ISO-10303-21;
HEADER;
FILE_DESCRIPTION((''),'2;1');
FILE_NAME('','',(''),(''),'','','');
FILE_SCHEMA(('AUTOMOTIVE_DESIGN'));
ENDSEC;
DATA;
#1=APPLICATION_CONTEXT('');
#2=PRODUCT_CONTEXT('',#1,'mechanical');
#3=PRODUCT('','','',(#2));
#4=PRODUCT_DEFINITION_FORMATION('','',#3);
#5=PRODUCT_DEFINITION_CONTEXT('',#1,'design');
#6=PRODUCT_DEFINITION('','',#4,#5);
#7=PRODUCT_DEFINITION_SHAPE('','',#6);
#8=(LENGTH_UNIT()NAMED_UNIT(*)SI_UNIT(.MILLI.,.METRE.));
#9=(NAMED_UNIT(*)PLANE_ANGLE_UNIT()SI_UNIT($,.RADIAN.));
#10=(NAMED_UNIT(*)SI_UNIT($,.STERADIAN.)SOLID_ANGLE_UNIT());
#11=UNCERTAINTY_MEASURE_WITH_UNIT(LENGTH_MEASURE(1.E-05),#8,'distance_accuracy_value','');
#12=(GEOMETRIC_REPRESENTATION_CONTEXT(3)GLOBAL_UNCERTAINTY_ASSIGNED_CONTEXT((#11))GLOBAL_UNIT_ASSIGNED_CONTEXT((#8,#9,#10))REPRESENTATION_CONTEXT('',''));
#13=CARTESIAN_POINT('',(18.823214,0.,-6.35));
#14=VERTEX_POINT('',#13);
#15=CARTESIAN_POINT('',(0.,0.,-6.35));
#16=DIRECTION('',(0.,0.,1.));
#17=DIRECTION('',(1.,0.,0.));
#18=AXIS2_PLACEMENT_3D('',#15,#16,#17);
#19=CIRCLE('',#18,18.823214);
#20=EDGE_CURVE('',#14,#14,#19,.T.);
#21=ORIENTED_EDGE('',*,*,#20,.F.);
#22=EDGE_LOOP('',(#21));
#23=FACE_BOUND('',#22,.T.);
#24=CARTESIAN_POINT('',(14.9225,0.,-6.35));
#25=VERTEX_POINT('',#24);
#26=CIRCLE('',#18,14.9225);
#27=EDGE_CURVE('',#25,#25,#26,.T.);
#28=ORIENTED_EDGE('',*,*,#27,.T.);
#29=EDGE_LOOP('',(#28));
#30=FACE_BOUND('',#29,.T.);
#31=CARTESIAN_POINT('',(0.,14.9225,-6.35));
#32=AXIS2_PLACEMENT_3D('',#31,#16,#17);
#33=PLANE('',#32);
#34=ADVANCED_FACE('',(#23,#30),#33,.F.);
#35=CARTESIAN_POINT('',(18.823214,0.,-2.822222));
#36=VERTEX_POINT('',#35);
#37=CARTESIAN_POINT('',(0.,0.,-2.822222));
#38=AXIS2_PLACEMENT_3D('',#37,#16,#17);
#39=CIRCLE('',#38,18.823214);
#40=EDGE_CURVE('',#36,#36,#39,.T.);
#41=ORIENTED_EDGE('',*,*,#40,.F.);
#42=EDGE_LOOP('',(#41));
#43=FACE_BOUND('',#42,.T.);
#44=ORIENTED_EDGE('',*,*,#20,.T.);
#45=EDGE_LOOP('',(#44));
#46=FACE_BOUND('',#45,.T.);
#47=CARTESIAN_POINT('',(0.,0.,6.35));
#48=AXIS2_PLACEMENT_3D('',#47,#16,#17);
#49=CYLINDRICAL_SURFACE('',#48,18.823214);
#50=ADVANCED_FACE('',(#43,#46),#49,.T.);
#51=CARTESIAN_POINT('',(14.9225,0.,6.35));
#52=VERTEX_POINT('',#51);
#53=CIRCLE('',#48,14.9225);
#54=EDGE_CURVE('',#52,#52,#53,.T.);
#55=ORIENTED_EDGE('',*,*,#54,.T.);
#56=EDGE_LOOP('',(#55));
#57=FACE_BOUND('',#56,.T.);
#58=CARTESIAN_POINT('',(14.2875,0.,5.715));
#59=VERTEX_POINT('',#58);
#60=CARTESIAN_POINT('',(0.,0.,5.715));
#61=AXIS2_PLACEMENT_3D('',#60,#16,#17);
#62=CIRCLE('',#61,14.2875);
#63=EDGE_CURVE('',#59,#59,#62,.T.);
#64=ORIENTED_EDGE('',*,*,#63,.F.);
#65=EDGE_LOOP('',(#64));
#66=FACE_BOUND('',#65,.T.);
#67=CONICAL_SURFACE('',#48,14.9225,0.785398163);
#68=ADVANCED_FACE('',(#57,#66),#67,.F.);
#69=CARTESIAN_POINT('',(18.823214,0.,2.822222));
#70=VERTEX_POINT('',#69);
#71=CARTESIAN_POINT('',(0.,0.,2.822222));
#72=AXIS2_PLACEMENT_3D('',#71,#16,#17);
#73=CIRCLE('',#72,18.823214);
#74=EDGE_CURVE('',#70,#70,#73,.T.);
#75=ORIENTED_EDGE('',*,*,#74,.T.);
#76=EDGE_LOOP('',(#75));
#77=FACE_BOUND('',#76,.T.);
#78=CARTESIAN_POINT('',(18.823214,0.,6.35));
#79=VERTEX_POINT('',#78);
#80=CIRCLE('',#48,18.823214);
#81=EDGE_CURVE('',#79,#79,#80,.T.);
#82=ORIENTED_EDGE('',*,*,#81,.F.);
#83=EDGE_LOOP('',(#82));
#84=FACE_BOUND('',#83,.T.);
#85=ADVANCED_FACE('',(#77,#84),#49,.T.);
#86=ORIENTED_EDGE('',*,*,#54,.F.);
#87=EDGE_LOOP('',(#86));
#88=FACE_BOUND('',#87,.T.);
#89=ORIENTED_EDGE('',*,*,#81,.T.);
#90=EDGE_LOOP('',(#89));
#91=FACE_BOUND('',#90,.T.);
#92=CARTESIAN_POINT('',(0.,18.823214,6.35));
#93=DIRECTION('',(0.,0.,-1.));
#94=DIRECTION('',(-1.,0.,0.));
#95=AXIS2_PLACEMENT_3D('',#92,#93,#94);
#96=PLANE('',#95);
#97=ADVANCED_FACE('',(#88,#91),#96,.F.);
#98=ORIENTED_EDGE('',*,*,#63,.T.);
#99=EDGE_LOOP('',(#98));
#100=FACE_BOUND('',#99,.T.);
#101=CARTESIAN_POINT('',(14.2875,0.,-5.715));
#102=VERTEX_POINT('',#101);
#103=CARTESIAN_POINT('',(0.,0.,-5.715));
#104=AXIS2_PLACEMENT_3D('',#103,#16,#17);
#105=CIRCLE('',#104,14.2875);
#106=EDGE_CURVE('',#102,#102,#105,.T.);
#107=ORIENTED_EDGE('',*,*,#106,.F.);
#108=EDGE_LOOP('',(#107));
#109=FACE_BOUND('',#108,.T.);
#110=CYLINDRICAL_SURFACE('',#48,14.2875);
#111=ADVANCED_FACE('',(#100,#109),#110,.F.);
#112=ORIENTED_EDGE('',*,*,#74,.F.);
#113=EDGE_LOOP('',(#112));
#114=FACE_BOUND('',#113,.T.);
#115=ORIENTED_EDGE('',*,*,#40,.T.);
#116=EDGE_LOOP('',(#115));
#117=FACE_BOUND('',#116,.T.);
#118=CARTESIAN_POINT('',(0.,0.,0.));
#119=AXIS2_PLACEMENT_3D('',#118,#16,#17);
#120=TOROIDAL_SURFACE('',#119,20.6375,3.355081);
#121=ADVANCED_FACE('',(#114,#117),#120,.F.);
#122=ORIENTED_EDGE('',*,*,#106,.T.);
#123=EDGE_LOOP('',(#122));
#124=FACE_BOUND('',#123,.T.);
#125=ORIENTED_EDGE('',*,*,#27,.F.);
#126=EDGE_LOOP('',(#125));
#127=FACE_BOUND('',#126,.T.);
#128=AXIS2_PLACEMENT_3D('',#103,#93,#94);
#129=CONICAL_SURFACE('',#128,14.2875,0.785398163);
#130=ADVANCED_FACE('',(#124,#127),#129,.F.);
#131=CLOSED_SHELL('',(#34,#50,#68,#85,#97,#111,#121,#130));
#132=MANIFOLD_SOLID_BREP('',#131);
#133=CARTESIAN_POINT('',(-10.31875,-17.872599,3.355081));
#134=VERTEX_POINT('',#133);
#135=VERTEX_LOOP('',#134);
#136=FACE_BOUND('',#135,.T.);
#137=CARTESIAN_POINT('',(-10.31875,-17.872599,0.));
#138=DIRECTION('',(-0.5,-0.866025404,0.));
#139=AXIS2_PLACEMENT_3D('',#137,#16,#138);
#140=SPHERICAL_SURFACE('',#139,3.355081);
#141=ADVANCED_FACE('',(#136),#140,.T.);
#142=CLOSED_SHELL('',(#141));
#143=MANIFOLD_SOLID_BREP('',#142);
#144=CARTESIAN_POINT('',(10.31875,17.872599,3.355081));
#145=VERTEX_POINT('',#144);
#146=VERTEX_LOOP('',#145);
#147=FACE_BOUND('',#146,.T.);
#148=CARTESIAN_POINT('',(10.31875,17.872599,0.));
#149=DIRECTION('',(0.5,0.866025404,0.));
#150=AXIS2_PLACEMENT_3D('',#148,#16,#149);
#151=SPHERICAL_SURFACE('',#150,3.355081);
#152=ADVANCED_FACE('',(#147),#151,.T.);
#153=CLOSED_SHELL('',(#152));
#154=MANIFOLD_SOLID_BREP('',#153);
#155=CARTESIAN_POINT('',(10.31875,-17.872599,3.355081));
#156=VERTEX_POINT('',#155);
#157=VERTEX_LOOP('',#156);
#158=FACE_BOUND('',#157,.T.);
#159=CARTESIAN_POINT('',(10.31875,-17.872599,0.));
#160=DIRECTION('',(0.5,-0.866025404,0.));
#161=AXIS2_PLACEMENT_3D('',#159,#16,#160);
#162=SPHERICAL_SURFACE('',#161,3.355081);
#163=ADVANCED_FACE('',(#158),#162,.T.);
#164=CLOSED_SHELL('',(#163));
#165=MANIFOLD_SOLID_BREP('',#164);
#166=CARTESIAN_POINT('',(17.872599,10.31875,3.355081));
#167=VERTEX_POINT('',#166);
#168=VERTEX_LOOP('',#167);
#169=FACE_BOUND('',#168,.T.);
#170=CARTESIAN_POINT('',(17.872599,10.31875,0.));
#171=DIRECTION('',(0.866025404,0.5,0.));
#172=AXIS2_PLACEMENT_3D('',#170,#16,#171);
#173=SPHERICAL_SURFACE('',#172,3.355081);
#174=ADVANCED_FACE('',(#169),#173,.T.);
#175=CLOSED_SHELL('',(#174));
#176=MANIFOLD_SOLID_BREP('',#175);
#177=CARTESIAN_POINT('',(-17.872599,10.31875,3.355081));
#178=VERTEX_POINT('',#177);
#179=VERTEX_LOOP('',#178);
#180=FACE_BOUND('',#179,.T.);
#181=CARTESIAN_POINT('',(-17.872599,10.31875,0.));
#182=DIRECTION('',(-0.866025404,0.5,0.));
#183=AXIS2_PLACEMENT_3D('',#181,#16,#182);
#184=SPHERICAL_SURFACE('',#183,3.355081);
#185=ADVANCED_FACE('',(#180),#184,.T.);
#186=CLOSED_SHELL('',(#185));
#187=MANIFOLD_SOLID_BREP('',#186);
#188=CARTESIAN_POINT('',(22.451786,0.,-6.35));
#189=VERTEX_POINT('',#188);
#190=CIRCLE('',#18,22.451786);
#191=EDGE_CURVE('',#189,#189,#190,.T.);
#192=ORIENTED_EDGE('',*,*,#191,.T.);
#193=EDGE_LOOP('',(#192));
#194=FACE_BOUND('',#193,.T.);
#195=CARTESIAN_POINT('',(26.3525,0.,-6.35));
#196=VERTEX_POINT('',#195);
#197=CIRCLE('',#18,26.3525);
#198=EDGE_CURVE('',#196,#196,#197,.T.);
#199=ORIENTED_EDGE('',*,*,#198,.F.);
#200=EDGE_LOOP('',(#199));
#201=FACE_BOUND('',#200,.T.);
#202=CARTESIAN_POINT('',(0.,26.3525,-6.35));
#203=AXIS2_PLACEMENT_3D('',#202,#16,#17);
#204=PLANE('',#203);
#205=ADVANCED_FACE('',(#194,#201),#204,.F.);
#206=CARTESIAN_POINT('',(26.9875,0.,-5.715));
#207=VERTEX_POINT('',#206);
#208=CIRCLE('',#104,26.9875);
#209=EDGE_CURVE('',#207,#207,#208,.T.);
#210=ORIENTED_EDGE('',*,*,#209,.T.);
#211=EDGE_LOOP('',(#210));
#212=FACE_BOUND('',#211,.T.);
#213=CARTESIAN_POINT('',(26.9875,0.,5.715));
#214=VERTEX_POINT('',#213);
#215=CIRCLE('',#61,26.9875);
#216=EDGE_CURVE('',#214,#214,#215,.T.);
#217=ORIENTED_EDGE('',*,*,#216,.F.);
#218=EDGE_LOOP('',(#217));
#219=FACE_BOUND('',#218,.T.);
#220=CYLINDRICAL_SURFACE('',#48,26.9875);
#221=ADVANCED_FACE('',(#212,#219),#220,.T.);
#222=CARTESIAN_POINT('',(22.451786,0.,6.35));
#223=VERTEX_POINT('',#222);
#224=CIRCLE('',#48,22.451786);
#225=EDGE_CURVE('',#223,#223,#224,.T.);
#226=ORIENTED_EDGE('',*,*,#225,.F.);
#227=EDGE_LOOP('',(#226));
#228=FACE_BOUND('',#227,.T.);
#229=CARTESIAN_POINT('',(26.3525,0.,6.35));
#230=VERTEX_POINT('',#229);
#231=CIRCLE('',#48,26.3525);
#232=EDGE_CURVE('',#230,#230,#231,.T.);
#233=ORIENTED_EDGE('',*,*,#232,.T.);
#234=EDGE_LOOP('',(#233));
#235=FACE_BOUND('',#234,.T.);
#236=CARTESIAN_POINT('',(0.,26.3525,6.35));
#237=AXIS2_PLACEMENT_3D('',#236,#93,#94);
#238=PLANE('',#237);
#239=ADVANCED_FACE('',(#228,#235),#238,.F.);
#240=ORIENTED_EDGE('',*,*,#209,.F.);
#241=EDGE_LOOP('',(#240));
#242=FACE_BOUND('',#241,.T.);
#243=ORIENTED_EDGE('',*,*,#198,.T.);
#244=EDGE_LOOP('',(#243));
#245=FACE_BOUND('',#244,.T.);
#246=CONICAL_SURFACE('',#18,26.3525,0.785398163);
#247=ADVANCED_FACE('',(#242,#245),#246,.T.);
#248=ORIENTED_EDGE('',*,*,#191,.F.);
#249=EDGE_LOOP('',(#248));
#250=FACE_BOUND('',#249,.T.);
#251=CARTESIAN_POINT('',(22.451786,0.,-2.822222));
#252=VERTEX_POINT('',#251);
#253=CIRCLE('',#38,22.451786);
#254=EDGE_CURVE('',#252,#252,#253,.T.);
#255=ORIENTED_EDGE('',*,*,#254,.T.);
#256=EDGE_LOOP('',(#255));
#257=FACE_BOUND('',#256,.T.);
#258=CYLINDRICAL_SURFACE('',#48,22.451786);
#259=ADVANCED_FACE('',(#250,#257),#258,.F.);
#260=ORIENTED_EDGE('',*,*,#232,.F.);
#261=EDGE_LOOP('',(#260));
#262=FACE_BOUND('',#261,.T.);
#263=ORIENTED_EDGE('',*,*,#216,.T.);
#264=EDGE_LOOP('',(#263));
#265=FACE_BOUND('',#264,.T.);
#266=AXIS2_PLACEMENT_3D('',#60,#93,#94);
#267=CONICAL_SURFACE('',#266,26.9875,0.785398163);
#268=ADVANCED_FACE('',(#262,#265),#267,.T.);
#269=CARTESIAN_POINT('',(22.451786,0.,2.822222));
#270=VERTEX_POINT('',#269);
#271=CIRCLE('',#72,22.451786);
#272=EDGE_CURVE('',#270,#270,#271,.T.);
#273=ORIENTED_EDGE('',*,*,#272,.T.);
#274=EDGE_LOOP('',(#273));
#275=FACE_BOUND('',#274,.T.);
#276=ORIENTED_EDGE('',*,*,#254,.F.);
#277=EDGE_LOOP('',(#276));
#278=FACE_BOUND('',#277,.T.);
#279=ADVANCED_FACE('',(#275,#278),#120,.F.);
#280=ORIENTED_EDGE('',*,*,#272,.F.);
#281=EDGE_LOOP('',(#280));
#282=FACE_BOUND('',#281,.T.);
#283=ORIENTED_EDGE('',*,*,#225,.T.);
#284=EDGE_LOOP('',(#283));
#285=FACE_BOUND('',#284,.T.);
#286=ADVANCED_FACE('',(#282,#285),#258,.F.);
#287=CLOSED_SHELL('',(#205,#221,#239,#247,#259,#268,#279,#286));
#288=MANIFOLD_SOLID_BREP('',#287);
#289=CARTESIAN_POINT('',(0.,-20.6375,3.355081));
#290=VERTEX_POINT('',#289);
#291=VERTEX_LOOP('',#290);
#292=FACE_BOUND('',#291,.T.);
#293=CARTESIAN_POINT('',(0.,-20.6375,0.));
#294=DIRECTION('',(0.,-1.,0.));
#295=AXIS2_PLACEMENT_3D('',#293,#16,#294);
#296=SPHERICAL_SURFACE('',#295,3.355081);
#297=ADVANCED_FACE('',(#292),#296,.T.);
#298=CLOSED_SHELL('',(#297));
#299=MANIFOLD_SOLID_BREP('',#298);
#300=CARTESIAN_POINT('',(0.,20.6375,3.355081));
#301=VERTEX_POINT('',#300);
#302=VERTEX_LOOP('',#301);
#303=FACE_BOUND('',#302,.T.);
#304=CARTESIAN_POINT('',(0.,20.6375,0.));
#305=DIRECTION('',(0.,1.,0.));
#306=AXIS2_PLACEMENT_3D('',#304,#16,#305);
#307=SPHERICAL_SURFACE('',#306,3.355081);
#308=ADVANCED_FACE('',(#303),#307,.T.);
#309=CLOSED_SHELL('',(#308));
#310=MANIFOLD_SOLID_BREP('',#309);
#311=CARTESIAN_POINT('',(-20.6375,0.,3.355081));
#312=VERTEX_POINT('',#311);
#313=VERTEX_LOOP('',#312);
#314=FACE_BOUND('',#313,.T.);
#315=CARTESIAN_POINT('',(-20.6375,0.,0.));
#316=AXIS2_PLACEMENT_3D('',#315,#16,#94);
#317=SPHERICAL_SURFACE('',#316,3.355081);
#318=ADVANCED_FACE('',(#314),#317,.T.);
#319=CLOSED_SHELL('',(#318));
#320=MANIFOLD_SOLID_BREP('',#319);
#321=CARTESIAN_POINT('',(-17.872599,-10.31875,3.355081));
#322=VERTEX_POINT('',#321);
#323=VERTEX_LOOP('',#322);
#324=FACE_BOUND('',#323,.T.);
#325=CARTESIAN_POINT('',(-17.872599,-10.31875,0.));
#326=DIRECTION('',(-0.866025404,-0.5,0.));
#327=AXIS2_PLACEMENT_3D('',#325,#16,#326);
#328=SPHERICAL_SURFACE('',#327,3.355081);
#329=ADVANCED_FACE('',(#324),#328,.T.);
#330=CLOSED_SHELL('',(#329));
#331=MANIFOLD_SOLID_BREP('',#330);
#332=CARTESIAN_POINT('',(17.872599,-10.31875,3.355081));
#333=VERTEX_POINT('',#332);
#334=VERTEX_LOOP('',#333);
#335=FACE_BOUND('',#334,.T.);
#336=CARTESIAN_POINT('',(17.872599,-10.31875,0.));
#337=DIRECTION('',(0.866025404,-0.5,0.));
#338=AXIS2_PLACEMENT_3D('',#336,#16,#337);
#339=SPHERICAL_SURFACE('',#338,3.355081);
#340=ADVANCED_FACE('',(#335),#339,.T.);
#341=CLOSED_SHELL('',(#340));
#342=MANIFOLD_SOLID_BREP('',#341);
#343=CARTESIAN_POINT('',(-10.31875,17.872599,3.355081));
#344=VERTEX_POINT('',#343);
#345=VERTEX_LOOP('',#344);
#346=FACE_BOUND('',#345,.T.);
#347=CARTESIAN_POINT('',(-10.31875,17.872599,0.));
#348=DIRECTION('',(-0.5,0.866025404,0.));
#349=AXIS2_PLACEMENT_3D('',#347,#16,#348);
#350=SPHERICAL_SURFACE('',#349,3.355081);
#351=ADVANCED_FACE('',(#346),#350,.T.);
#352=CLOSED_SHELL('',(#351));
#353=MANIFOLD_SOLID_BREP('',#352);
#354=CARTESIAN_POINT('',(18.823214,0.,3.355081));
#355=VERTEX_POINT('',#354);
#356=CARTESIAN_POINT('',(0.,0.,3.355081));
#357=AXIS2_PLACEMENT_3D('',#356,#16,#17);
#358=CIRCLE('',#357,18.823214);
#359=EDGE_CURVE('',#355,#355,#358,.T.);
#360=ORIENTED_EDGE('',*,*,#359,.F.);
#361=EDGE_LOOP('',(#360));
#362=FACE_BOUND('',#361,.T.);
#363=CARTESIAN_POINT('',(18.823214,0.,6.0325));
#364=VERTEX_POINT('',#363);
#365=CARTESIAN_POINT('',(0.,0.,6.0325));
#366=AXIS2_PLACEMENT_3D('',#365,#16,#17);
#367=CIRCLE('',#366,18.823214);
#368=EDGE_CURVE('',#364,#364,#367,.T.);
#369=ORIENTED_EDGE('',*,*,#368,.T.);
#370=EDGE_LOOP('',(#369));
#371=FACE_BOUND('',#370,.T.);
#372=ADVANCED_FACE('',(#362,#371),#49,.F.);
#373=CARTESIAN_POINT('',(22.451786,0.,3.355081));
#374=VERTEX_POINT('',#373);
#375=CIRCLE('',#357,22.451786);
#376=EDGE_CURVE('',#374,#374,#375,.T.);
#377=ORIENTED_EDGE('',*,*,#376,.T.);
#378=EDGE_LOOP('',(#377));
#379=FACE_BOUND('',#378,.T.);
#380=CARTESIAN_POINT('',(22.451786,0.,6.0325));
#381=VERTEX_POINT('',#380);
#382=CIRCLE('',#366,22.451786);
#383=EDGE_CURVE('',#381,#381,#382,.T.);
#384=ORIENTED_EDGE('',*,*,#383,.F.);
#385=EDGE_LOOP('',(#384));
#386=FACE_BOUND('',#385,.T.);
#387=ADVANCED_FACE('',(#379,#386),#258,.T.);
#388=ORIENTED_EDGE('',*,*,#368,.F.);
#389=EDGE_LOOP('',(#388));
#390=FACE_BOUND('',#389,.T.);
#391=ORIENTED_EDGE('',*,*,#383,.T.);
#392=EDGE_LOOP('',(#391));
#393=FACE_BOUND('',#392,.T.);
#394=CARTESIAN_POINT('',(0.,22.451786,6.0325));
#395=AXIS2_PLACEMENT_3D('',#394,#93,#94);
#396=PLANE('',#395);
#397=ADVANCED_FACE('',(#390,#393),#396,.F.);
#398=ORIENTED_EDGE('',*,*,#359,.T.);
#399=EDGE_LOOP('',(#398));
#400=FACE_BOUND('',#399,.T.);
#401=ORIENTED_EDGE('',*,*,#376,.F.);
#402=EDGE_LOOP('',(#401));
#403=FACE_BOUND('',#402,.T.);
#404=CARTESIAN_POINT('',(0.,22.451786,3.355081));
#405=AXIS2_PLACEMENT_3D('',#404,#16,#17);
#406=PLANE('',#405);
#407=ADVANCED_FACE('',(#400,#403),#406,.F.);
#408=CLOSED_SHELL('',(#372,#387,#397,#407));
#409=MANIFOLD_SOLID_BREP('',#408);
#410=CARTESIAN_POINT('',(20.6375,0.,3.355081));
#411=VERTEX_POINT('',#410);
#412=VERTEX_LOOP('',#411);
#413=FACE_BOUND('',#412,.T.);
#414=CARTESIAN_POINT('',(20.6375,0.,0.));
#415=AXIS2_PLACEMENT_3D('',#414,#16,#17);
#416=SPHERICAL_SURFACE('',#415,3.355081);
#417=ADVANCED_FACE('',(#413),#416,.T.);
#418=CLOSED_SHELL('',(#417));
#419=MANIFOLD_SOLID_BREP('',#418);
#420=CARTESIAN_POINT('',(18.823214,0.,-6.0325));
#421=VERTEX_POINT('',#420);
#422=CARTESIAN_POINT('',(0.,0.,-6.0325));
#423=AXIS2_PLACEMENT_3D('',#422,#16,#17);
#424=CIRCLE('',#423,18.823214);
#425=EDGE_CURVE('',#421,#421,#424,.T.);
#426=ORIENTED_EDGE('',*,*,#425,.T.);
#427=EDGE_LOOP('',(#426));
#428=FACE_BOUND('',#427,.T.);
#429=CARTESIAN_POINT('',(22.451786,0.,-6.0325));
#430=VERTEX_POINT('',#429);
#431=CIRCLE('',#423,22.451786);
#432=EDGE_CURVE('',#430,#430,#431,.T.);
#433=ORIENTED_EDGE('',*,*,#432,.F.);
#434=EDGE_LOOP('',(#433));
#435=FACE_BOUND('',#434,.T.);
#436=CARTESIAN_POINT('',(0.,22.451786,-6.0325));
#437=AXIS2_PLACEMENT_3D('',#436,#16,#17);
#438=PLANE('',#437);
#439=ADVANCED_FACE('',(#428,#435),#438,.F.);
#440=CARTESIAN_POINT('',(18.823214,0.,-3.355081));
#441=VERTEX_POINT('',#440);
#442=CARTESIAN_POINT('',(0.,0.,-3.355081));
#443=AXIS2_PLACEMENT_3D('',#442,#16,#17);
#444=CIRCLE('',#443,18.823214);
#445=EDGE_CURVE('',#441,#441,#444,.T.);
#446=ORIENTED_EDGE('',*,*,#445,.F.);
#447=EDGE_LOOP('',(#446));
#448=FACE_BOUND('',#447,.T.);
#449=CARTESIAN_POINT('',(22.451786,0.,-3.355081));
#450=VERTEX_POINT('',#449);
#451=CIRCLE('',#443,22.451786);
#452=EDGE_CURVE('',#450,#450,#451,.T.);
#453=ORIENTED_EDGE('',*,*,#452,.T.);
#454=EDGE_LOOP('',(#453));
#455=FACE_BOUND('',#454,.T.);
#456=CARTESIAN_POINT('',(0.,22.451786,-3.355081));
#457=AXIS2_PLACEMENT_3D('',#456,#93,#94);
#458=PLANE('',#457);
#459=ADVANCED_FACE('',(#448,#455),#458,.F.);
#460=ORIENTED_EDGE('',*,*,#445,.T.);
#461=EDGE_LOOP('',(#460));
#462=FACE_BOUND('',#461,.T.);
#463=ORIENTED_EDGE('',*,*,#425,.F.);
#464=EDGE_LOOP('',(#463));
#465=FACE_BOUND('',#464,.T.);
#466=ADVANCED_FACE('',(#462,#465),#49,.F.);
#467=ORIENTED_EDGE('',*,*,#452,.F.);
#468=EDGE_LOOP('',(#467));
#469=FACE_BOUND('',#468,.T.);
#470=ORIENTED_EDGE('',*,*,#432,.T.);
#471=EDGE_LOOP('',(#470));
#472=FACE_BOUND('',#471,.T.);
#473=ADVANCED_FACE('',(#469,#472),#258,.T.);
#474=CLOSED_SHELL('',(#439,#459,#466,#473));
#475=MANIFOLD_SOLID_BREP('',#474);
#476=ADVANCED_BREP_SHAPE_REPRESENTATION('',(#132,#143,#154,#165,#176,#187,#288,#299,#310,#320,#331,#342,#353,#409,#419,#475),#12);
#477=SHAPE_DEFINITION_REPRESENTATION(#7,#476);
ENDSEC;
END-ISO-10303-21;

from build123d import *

# Parameters (mm, degrees)
CIRPATTERN1_COUNT = 12
SKETCH5_W         = 2.677418641
SKETCH5_H         = 3.628571428


with BuildPart() as part:
    # Sketch1 → Revolve1 (revolve)
    with BuildSketch(Plane(origin=(0, 0, 0), x_dir=(0, 0, -1), z_dir=(1, 0, 0))):
        with BuildLine():
            Line((5.715, 26.9875), (-5.715, 26.9875))
            Line((-5.715, 26.9875), (-6.35, 26.3525))
            Line((-6.35, 26.3525), (-6.35, 22.451785714))
            Line((-6.35, 22.451785714), (-2.822222222, 22.451785714))
            ThreePointArc((-2.822222222, 22.451785714), (0, 23.992581359), (2.822222222, 22.451785714))
            Line((2.822222222, 22.451785714), (6.35, 22.451785714))
            Line((6.35, 22.451785714), (6.35, 26.3525))
            Line((6.35, 26.3525), (5.715, 26.9875))
        make_face()
    revolve(axis=Axis((0, 0, 6.35), (0, 0, -1)))


with BuildPart() as body_2:
    # Sketch3 → Revolve3 (revolve)
    with BuildSketch(Plane(origin=(0, 0, 0), x_dir=(0, 0, -1), z_dir=(1, 0, 0))):
        with BuildLine():
            Line((-6.35, 18.823214286), (-2.822222222, 18.823214286))
            ThreePointArc((-2.822222222, 18.823214286), (0, 17.282418641), (2.822222222, 18.823214286))
            Line((2.822222222, 18.823214286), (6.35, 18.823214286))
            Line((6.35, 18.823214286), (6.35, 14.9225))
            Line((6.35, 14.9225), (5.715, 14.2875))
            Line((5.715, 14.2875), (-5.715, 14.2875))
            Line((-5.715, 14.2875), (-6.35, 14.9225))
            Line((-6.35, 14.9225), (-6.35, 18.823214286))
        make_face()
    revolve(axis=Axis((0, 0, 6.35), (0, 0, -1)))


with BuildPart() as body_3:
    # Sketch4 → Revolve4 (revolve)
    with BuildSketch(Plane(origin=(0, 0, 0), x_dir=(0, 0, -1), z_dir=(1, 0, 0))):
        with BuildLine():
            Line((-3.355081359, 20.6375), (3.355081359, 20.6375))
            ThreePointArc((3.355081359, 20.6375), (0, 23.992581359), (-3.355081359, 20.6375))
        make_face()
    revolve(axis=Axis((0, 20.6375, 3.355081359), (0, 0, -1)))


with BuildPart() as cirpattern1_1:
    # CirPattern1: pattern copy
    add(body_3.part.rotate(Axis((0, 0, -6.35), (0, 0, 1)), 1 * 360 / CIRPATTERN1_COUNT))


with BuildPart() as cirpattern1_2:
    # CirPattern1: pattern copy
    add(body_3.part.rotate(Axis((0, 0, -6.35), (0, 0, 1)), 2 * 360 / CIRPATTERN1_COUNT))


with BuildPart() as cirpattern1_3:
    # CirPattern1: pattern copy
    add(body_3.part.rotate(Axis((0, 0, -6.35), (0, 0, 1)), 3 * 360 / CIRPATTERN1_COUNT))


with BuildPart() as cirpattern1_4:
    # CirPattern1: pattern copy
    add(body_3.part.rotate(Axis((0, 0, -6.35), (0, 0, 1)), 4 * 360 / CIRPATTERN1_COUNT))


with BuildPart() as cirpattern1_5:
    # CirPattern1: pattern copy
    add(body_3.part.rotate(Axis((0, 0, -6.35), (0, 0, 1)), 5 * 360 / CIRPATTERN1_COUNT))


with BuildPart() as cirpattern1_6:
    # CirPattern1: pattern copy
    add(body_3.part.rotate(Axis((0, 0, -6.35), (0, 0, 1)), 6 * 360 / CIRPATTERN1_COUNT))


with BuildPart() as cirpattern1_7:
    # CirPattern1: pattern copy
    add(body_3.part.rotate(Axis((0, 0, -6.35), (0, 0, 1)), 7 * 360 / CIRPATTERN1_COUNT))


with BuildPart() as cirpattern1_8:
    # CirPattern1: pattern copy
    add(body_3.part.rotate(Axis((0, 0, -6.35), (0, 0, 1)), 8 * 360 / CIRPATTERN1_COUNT))


with BuildPart() as cirpattern1_9:
    # CirPattern1: pattern copy
    add(body_3.part.rotate(Axis((0, 0, -6.35), (0, 0, 1)), 9 * 360 / CIRPATTERN1_COUNT))


with BuildPart() as cirpattern1_10:
    # CirPattern1: pattern copy
    add(body_3.part.rotate(Axis((0, 0, -6.35), (0, 0, 1)), 10 * 360 / CIRPATTERN1_COUNT))


with BuildPart() as cirpattern1_11:
    # CirPattern1: pattern copy
    add(body_3.part.rotate(Axis((0, 0, -6.35), (0, 0, 1)), 11 * 360 / CIRPATTERN1_COUNT))


with BuildPart() as body_15:
    # Sketch5 → Revolve5 (revolve)
    with BuildSketch(Plane(origin=(0, 0, 0), x_dir=(0, 0, -1), z_dir=(1, 0, 0))):
        with Locations((-4.69379068, 20.6375)):
            Rectangle(SKETCH5_W, SKETCH5_H)
        with Locations((4.69379068, 20.6375)):
            Rectangle(SKETCH5_W, SKETCH5_H)
    revolve(axis=Axis((0, 0, 6.35), (0, 0, -1)))


solid = Compound([part.part, body_2.part, body_3.part, cirpattern1_1.part, cirpattern1_2.part, cirpattern1_3.part, cirpattern1_4.part, cirpattern1_5.part, cirpattern1_6.part, cirpattern1_7.part, cirpattern1_8.part, cirpattern1_9.part, cirpattern1_10.part, cirpattern1_11.part, body_15.part])
